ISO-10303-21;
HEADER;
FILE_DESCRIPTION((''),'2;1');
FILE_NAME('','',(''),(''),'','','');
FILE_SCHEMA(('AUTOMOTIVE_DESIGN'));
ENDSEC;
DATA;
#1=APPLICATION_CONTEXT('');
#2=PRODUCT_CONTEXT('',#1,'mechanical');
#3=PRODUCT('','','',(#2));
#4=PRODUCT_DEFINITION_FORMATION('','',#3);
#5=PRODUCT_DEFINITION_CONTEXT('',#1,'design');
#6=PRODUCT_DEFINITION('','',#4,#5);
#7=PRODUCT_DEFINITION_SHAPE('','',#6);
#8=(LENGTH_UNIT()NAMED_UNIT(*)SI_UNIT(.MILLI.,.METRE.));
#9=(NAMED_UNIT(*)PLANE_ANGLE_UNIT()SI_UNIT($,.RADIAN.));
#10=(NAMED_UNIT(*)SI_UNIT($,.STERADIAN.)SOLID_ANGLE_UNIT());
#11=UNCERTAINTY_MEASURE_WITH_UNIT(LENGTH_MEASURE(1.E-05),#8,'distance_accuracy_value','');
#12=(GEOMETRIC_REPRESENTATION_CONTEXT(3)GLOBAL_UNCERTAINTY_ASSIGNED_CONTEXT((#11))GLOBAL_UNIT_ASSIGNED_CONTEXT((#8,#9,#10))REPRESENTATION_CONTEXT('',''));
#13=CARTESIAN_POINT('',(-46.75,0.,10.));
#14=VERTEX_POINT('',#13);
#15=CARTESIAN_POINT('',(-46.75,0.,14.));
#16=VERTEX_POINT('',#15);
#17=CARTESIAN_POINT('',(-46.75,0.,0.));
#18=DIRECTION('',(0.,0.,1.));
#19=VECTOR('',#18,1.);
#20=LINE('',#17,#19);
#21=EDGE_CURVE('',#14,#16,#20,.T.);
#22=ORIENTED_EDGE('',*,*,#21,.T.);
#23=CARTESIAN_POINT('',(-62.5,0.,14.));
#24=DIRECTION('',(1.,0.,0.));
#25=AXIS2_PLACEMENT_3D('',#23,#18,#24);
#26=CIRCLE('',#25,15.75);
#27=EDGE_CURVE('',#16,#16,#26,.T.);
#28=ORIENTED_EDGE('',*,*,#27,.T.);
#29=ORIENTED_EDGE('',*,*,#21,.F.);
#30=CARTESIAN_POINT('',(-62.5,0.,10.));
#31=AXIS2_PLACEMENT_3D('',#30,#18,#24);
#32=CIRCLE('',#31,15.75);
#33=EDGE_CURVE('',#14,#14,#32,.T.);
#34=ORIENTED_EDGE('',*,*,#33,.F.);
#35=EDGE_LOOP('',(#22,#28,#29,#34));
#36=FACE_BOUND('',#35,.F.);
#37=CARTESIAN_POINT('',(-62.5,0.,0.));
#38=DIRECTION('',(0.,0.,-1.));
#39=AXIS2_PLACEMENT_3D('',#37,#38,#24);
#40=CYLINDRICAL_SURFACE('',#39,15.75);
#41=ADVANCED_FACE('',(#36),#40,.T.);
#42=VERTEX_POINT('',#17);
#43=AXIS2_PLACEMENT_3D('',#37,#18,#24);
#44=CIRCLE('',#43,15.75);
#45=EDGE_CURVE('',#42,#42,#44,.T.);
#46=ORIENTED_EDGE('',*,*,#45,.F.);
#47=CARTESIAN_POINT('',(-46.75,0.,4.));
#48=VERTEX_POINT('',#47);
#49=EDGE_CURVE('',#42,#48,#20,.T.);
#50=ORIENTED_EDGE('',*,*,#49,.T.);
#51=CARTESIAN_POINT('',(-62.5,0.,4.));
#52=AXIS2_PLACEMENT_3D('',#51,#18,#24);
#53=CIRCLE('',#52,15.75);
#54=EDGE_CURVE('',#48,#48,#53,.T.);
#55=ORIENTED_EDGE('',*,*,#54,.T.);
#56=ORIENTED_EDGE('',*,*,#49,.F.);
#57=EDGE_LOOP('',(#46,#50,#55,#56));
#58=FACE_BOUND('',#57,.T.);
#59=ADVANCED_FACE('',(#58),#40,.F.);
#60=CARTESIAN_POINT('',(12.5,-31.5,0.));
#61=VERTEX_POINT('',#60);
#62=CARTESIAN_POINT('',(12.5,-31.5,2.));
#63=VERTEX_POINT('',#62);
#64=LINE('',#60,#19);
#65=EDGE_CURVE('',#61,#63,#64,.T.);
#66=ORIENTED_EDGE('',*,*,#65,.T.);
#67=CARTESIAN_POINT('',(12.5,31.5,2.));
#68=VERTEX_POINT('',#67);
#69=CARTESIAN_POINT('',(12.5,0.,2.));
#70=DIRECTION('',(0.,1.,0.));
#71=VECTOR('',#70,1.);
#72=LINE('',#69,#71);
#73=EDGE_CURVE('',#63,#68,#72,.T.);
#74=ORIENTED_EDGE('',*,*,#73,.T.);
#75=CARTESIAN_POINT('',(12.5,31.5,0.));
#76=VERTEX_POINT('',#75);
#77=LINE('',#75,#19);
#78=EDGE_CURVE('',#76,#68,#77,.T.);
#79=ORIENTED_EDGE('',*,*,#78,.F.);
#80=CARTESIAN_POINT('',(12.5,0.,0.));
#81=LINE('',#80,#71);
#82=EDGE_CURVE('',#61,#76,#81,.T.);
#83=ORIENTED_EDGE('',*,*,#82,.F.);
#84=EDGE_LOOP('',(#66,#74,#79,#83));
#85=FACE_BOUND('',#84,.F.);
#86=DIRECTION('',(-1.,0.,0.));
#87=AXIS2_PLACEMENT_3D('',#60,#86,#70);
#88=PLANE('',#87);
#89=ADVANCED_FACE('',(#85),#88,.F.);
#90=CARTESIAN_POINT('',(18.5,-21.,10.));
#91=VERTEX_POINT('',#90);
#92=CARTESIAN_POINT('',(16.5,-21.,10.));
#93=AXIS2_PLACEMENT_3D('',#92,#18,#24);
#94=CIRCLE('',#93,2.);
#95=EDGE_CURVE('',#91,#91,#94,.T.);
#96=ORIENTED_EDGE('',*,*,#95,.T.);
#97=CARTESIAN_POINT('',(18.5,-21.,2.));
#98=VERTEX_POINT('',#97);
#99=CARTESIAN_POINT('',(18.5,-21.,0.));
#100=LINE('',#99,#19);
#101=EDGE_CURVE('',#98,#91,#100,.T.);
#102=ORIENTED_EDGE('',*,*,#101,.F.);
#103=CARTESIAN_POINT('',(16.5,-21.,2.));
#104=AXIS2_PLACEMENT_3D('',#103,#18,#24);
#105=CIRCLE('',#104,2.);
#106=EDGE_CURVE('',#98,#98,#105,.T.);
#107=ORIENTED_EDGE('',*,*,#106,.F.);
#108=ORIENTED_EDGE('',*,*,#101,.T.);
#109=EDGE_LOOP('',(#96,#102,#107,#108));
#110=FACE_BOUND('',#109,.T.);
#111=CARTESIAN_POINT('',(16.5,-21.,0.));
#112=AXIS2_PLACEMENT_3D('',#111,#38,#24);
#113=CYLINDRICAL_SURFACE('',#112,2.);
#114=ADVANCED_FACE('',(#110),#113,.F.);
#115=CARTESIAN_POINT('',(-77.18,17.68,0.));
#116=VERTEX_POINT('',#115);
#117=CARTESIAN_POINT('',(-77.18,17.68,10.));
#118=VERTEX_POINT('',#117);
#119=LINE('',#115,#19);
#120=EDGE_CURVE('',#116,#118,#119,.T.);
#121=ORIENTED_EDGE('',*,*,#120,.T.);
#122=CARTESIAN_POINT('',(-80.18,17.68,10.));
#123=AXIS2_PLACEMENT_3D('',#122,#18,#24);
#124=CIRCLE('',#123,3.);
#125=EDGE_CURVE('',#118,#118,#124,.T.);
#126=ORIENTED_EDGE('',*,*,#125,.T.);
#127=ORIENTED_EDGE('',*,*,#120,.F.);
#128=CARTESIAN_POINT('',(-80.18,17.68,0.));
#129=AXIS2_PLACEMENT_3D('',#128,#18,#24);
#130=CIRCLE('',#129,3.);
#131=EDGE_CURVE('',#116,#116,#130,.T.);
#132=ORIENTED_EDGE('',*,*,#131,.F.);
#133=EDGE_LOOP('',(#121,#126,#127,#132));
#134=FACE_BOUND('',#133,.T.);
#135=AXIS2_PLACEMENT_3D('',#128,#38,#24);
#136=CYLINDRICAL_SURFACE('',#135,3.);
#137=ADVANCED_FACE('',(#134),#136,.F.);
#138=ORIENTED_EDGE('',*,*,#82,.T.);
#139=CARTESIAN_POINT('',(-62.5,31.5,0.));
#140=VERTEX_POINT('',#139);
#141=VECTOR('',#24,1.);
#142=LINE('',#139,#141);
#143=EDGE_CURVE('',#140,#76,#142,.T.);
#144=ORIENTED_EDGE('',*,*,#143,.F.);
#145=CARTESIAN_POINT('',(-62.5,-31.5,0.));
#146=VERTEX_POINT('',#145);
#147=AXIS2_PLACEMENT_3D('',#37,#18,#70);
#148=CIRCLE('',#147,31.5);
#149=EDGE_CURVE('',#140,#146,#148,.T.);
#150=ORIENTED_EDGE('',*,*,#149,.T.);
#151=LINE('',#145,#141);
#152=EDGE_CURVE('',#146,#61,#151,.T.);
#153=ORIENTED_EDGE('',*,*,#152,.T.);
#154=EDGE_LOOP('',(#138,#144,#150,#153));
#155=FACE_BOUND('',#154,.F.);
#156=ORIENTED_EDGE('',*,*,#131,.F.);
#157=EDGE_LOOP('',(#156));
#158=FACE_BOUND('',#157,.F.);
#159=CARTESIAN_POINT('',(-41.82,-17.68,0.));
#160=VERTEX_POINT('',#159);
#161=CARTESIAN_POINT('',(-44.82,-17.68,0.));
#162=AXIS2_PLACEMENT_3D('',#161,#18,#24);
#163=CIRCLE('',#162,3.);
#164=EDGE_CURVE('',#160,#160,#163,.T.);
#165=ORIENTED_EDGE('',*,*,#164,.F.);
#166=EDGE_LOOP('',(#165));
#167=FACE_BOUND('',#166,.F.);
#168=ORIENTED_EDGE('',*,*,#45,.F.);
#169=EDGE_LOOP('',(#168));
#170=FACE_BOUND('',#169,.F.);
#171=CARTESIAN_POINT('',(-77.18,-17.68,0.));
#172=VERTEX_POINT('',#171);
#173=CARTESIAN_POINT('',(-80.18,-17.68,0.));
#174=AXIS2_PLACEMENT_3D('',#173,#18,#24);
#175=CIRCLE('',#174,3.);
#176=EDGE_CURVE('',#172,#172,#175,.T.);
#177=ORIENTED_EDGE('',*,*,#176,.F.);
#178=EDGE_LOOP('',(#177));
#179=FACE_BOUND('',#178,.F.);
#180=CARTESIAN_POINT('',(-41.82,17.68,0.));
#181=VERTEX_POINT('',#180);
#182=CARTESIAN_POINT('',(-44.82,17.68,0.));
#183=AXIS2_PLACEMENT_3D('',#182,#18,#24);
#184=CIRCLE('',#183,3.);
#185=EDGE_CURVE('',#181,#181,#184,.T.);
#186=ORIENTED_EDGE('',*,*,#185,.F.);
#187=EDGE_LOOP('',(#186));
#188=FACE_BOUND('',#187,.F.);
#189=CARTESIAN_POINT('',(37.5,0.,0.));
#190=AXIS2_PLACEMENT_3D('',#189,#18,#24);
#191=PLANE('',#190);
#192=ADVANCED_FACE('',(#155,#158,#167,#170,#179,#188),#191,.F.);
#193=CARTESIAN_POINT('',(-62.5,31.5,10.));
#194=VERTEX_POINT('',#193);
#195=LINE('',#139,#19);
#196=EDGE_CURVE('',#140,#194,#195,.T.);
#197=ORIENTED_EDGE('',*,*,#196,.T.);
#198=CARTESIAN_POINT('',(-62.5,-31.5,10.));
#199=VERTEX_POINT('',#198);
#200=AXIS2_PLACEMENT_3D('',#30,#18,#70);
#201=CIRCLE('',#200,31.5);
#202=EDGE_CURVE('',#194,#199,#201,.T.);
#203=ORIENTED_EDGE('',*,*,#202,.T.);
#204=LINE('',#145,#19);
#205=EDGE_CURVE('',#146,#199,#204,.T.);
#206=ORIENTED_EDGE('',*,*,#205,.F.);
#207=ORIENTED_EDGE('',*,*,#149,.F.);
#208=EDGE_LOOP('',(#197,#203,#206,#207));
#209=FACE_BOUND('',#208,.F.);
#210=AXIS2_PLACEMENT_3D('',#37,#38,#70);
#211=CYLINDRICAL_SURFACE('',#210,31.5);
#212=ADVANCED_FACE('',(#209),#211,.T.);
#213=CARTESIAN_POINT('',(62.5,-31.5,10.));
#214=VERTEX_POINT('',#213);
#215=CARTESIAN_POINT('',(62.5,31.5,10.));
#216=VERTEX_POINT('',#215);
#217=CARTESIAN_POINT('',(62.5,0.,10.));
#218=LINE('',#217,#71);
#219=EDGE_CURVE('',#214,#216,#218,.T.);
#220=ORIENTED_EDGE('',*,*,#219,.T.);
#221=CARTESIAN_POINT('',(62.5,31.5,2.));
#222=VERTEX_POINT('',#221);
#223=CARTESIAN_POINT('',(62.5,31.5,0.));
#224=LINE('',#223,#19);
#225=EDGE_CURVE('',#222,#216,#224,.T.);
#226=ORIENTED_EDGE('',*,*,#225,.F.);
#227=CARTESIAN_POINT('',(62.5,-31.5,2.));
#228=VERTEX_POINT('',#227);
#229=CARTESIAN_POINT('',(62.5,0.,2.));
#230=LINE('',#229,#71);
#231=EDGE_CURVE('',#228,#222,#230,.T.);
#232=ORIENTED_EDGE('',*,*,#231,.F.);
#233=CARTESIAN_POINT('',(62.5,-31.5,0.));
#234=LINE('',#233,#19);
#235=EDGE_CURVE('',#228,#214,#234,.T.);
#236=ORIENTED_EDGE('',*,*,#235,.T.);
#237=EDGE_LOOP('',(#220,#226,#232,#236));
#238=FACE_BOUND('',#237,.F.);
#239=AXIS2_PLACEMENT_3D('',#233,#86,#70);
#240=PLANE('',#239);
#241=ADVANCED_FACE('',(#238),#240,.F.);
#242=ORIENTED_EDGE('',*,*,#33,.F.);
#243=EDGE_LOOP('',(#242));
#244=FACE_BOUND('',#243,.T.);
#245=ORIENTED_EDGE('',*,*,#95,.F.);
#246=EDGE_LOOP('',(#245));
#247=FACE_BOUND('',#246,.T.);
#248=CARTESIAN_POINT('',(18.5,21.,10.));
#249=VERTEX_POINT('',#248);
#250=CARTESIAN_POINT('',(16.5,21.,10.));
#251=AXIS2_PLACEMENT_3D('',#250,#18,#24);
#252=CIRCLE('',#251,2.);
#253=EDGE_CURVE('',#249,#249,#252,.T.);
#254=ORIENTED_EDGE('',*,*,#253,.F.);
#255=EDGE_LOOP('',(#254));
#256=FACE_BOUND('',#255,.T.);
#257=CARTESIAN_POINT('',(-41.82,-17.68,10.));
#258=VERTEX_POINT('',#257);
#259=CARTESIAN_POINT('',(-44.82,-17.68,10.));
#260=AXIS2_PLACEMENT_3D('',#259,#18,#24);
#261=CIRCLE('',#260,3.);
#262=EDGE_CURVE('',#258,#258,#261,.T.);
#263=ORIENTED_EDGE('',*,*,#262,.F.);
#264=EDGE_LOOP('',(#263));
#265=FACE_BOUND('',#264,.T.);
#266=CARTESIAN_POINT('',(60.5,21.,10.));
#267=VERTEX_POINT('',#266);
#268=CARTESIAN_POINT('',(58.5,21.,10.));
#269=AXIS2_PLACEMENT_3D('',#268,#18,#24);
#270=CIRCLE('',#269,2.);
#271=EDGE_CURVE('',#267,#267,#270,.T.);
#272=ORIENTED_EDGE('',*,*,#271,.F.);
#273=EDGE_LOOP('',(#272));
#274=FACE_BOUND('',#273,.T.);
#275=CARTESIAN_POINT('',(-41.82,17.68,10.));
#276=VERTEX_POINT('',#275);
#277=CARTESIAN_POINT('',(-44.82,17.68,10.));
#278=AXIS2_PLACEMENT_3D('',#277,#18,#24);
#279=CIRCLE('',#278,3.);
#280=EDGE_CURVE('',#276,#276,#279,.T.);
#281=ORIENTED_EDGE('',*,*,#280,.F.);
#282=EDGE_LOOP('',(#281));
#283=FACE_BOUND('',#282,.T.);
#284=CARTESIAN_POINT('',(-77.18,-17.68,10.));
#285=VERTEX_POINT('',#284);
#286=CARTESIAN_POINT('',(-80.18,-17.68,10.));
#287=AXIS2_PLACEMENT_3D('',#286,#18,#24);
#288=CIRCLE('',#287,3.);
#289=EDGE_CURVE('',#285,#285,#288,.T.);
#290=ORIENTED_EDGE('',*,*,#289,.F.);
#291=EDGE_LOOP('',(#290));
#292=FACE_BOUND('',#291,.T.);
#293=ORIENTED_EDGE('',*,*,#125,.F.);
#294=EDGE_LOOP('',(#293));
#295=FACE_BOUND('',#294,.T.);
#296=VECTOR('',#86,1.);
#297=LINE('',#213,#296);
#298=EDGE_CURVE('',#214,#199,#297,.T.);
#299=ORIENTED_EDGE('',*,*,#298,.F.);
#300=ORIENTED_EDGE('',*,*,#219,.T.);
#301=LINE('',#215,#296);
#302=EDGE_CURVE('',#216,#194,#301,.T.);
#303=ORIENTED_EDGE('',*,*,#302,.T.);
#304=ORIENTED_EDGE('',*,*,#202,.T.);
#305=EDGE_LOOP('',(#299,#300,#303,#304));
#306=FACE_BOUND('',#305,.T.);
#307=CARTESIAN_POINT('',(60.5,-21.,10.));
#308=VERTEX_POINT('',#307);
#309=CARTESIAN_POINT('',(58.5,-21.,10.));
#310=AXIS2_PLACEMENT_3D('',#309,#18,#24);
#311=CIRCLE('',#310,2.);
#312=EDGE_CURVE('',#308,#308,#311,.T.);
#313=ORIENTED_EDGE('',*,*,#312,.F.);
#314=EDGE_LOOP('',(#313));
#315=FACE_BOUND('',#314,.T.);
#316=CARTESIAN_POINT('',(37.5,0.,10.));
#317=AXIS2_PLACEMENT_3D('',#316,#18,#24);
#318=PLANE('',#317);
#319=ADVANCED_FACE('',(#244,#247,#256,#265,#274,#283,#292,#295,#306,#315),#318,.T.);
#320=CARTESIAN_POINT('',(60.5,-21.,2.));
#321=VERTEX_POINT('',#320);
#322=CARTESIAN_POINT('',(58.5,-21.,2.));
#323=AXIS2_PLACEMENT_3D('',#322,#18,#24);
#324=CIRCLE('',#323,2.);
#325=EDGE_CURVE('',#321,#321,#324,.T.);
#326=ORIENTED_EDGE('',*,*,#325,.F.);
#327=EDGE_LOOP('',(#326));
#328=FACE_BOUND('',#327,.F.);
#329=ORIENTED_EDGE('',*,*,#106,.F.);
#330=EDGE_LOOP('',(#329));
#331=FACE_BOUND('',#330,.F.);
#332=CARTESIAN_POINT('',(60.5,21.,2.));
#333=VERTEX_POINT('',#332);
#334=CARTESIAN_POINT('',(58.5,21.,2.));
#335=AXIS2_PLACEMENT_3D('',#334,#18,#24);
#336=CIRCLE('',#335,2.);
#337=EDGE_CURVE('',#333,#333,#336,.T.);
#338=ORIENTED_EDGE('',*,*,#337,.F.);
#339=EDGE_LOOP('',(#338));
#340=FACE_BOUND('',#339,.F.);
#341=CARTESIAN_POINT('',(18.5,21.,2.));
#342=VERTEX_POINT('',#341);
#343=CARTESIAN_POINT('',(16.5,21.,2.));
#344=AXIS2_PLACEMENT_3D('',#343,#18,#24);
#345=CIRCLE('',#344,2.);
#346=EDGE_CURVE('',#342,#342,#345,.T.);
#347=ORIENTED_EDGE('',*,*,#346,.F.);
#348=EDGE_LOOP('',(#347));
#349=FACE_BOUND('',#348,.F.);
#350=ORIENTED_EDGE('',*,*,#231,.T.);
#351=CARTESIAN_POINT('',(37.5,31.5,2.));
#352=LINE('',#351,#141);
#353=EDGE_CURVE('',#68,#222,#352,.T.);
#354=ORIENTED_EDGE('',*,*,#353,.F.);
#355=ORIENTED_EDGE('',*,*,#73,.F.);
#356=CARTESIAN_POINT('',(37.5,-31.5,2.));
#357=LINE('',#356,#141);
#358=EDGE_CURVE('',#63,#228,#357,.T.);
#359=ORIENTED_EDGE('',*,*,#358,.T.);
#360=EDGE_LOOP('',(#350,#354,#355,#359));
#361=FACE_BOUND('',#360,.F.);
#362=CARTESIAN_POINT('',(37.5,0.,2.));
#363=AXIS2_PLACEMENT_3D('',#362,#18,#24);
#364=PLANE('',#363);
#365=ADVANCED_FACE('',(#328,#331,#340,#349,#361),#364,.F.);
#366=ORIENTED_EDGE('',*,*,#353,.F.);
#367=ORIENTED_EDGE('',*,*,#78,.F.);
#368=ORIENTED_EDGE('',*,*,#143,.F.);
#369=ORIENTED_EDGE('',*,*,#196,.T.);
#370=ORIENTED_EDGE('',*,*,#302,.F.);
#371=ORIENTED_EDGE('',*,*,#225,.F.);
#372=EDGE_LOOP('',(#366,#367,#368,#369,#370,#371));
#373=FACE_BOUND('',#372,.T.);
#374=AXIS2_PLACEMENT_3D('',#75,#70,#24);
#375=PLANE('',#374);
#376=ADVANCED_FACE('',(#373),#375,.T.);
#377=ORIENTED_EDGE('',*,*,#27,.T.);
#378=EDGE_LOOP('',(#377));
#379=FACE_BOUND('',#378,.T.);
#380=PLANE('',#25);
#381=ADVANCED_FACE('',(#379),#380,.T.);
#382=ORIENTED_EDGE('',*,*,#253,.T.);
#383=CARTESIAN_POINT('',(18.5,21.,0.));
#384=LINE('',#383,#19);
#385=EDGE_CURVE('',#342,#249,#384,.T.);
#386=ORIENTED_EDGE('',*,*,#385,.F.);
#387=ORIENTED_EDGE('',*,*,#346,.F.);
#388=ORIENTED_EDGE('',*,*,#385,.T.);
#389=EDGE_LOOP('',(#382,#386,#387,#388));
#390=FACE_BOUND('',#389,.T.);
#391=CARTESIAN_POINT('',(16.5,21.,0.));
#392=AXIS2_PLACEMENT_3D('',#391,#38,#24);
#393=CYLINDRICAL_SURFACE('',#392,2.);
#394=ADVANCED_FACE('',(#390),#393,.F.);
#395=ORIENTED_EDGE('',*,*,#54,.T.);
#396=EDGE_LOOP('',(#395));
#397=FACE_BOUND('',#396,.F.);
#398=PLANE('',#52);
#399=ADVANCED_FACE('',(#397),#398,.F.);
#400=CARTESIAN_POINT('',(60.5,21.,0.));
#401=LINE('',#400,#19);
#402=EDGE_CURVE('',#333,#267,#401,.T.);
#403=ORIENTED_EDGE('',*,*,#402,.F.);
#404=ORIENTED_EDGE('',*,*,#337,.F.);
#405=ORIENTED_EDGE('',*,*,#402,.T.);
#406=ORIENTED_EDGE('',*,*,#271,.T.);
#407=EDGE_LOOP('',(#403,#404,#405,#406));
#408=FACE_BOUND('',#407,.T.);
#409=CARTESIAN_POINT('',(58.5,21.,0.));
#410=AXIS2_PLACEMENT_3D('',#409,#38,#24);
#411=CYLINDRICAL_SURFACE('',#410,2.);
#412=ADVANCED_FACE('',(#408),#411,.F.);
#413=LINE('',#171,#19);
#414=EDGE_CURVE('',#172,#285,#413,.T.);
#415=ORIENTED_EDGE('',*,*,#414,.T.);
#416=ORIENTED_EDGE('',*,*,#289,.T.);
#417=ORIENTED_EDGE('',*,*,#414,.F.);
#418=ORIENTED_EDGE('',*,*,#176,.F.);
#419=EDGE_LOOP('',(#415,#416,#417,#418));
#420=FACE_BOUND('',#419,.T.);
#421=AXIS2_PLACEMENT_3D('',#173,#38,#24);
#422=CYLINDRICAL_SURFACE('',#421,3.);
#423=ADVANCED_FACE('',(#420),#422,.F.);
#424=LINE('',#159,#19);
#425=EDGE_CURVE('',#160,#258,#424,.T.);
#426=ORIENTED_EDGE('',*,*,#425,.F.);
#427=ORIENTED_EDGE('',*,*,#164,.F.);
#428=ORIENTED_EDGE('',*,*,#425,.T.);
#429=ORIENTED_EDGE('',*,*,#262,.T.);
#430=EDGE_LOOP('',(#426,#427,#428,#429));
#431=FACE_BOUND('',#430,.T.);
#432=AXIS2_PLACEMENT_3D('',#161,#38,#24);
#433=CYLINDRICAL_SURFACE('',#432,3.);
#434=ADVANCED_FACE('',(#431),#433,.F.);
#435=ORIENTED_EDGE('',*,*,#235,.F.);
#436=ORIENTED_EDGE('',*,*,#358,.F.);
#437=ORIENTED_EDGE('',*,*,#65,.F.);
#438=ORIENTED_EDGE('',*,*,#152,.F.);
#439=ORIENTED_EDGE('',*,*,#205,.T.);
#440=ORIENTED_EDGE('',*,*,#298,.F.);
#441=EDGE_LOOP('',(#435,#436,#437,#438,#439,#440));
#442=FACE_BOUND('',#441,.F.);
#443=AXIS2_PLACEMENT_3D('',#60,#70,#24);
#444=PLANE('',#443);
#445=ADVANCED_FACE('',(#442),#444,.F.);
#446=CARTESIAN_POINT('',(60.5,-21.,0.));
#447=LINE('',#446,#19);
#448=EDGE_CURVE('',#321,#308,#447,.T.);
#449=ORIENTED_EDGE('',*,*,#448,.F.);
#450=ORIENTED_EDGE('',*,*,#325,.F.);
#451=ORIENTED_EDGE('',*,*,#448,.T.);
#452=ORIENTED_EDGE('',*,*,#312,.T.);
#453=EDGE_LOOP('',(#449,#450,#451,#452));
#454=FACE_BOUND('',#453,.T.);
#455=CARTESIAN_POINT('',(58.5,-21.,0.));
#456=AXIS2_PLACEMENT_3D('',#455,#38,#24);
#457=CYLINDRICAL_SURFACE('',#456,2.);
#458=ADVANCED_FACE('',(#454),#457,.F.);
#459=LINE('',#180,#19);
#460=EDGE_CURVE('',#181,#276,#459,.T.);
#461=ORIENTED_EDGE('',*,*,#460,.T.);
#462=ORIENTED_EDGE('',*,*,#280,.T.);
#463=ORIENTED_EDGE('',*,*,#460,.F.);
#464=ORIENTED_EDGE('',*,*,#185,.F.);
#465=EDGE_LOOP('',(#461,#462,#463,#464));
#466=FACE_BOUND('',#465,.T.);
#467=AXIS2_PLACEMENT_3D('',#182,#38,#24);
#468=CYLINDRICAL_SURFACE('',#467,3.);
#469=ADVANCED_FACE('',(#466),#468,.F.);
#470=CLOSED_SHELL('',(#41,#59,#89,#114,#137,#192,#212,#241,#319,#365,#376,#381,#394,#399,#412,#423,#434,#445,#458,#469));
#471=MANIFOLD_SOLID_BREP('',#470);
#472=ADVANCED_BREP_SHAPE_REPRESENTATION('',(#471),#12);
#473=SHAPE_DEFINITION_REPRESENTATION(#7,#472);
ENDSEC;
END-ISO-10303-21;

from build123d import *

# Parameters (mm, degrees)
F0_R     = 3
F0_R_2   = 15.75
F1_DEPTH = 10
F2_DEPTH = 14
F0_W     = 50
F0_H     = 63
F0_R_3   = 2
F3_DEPTH = 10
F4_DEPTH = 4
F5_DEPTH = 2


with BuildPart() as f1:
    # F0 (on Top) → F1 (new body)
    with BuildSketch(Plane.XY):
        with BuildLine():
            Line((-62.5, -31.5), (12.5, -31.5))
            Line((12.5, -31.5), (12.5, 31.5))
            Line((12.5, 31.5), (-62.5, 31.5))
            ThreePointArc((-62.5, 31.5), (-94, 0), (-62.5, -31.5))
        make_face()
        with Locations((-80.18, -17.68)):
            Circle(F0_R, mode=Mode.SUBTRACT)
        with Locations((-44.82, -17.68)):
            Circle(F0_R, mode=Mode.SUBTRACT)
        with Locations((-62.5, 0)):
            Circle(F0_R_2, mode=Mode.SUBTRACT)
        with Locations((-80.18, 17.68)):
            Circle(F0_R, mode=Mode.SUBTRACT)
        with Locations((-44.82, 17.68)):
            Circle(F0_R, mode=Mode.SUBTRACT)
    extrude(amount=F1_DEPTH)

    # F0 (on Top) → F2 (join)
    with BuildSketch(Plane.XY):
        with Locations((-62.5, 0)):
            Circle(F0_R_2)
    extrude(amount=F2_DEPTH)

    # F0 (on Top) → F3 (join)
    with BuildSketch(Plane.XY):
        with Locations((37.5, 0)):
            Rectangle(F0_W, F0_H)
        with Locations((16.5, -21)):
            Circle(F0_R_3, mode=Mode.SUBTRACT)
        with Locations((58.5, -21)):
            Circle(F0_R_3, mode=Mode.SUBTRACT)
        with Locations((16.5, 21)):
            Circle(F0_R_3, mode=Mode.SUBTRACT)
        with Locations((58.5, 21)):
            Circle(F0_R_3, mode=Mode.SUBTRACT)
    extrude(amount=F3_DEPTH)

    # F0 (on Top) → F4 (cut)
    with BuildSketch(Plane.XY):
        with Locations((-62.5, 0)):
            Circle(F0_R_2)
    extrude(amount=F4_DEPTH, mode=Mode.SUBTRACT)

    # F0 (on Top) → F5 (cut)
    with BuildSketch(Plane.XY):
        with Locations((37.5, 0)):
            Rectangle(F0_W, F0_H)
        with Locations((16.5, -21)):
            Circle(F0_R_3, mode=Mode.SUBTRACT)
        with Locations((58.5, -21)):
            Circle(F0_R_3, mode=Mode.SUBTRACT)
        with Locations((16.5, 21)):
            Circle(F0_R_3, mode=Mode.SUBTRACT)
        with Locations((58.5, 21)):
            Circle(F0_R_3, mode=Mode.SUBTRACT)
    extrude(amount=F5_DEPTH, mode=Mode.SUBTRACT)


solid = f1.part
